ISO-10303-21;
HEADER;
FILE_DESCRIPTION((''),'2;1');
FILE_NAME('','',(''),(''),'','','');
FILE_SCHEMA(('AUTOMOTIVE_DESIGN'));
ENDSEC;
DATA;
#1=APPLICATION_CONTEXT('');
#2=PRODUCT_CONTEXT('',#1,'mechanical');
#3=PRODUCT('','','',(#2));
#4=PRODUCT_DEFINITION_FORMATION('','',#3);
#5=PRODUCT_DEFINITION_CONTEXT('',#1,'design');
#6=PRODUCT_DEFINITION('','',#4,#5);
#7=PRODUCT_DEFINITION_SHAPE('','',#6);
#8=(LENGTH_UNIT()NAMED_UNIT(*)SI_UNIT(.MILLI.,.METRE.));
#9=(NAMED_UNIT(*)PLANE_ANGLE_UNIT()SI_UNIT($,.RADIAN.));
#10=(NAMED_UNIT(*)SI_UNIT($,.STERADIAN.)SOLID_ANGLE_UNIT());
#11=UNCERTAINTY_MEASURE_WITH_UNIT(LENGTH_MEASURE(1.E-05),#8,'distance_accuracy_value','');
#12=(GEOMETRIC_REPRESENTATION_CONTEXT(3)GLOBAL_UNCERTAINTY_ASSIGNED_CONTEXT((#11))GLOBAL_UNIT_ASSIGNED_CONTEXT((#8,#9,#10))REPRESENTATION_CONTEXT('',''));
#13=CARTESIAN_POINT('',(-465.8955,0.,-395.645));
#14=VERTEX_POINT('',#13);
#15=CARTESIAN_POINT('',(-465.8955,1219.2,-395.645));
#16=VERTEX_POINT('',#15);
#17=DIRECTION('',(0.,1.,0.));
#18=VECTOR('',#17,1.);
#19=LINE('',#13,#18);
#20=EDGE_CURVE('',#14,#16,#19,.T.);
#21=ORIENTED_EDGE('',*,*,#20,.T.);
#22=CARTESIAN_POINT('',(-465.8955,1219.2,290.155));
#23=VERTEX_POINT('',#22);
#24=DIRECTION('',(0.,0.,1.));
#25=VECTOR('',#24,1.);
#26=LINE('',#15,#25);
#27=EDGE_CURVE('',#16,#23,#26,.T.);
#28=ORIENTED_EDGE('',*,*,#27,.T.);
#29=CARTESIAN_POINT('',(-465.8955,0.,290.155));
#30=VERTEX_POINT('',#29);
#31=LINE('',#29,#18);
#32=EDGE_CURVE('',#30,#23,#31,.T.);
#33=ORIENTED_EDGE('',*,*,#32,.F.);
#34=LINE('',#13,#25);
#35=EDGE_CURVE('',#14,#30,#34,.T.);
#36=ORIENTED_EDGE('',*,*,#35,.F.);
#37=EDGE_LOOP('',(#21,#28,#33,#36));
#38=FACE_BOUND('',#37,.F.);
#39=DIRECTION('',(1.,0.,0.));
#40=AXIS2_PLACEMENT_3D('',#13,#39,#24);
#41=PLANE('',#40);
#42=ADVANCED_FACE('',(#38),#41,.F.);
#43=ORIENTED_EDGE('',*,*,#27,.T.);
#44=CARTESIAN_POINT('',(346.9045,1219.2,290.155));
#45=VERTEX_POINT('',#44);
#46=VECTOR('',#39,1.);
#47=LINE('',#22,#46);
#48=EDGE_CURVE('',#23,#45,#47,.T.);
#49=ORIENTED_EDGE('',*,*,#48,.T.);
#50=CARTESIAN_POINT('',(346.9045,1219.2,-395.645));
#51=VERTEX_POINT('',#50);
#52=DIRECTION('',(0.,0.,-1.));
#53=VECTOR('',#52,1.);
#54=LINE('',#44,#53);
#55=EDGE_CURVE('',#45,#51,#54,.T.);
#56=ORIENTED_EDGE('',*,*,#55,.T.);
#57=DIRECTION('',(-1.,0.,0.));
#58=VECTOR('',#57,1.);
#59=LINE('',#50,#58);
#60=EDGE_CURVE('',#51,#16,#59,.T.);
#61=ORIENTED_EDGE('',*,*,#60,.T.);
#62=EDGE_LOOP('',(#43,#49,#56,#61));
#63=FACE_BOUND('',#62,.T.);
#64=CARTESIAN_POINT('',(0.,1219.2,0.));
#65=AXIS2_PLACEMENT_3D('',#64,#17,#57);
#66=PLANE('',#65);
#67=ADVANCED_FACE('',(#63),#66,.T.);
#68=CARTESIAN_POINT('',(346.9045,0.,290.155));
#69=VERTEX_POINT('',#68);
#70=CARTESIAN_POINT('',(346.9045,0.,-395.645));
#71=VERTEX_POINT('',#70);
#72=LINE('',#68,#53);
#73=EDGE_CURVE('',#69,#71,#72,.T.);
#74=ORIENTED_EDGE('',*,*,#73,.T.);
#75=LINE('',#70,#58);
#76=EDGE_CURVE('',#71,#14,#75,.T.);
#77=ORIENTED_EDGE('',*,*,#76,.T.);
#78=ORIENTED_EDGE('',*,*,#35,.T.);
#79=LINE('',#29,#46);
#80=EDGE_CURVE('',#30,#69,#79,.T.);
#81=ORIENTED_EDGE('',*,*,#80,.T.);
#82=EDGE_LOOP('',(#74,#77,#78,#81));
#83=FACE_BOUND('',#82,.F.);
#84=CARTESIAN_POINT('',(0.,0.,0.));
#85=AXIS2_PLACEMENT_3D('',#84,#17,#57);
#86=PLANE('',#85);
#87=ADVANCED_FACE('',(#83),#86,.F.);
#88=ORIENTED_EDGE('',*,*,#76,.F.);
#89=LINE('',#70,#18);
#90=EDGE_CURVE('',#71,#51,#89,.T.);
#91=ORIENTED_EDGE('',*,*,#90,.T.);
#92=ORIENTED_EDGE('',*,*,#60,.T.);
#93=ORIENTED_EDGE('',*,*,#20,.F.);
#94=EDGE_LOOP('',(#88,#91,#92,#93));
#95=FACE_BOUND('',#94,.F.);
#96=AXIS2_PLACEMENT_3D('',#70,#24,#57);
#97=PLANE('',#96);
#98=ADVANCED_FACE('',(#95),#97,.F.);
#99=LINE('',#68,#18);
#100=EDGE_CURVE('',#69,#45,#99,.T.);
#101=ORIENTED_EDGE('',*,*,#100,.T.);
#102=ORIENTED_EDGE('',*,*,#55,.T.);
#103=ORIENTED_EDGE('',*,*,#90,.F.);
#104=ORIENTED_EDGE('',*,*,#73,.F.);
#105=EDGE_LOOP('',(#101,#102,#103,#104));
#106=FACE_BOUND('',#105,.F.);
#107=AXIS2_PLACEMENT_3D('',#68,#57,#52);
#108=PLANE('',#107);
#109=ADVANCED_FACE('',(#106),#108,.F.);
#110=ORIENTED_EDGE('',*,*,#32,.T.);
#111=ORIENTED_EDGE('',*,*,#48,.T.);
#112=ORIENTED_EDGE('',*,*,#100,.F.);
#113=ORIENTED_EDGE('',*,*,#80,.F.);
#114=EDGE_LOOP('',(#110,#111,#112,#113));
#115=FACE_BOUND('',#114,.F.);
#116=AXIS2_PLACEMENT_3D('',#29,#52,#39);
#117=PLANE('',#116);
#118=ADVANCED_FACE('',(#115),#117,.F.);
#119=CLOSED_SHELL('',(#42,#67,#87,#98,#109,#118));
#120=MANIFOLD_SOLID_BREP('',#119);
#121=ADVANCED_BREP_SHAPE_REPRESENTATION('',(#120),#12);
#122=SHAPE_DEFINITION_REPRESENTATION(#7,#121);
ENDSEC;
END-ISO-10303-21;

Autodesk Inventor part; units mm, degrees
ref_plane "YZ Plane" through (0, 0, 0) normal (1, 0, 0) x (0, 1, 0)
ref_plane "XZ Plane" through (0, 0, 0) normal (0, 1, 0) x (-1, 0, 0)
ref_plane "XY Plane" through (0, 0, 0) normal (0, 0, 1) x (1, 0, 0)
sketch "Sketch1" plane through (0, 0, 0) normal (0, 1, 0) x (-1, 0, 0)
  line L0 (465.8955, 290.155) -> (-346.9045, 290.155)
  line L1 (-346.9045, 290.155) -> (-346.9045, -395.645)
  line L2 (-346.9045, -395.645) -> (465.8955, -395.645)
  line L3 (465.8955, -395.645) -> (465.8955, 290.155)
  point P0 (0, 0)
  dimension "d0" = 812.8
  dimension "d1" = 685.8
extrude "Extrusion1" add sketch "Sketch1" along normal blind 1219.2
properties part number "SizingCube"
